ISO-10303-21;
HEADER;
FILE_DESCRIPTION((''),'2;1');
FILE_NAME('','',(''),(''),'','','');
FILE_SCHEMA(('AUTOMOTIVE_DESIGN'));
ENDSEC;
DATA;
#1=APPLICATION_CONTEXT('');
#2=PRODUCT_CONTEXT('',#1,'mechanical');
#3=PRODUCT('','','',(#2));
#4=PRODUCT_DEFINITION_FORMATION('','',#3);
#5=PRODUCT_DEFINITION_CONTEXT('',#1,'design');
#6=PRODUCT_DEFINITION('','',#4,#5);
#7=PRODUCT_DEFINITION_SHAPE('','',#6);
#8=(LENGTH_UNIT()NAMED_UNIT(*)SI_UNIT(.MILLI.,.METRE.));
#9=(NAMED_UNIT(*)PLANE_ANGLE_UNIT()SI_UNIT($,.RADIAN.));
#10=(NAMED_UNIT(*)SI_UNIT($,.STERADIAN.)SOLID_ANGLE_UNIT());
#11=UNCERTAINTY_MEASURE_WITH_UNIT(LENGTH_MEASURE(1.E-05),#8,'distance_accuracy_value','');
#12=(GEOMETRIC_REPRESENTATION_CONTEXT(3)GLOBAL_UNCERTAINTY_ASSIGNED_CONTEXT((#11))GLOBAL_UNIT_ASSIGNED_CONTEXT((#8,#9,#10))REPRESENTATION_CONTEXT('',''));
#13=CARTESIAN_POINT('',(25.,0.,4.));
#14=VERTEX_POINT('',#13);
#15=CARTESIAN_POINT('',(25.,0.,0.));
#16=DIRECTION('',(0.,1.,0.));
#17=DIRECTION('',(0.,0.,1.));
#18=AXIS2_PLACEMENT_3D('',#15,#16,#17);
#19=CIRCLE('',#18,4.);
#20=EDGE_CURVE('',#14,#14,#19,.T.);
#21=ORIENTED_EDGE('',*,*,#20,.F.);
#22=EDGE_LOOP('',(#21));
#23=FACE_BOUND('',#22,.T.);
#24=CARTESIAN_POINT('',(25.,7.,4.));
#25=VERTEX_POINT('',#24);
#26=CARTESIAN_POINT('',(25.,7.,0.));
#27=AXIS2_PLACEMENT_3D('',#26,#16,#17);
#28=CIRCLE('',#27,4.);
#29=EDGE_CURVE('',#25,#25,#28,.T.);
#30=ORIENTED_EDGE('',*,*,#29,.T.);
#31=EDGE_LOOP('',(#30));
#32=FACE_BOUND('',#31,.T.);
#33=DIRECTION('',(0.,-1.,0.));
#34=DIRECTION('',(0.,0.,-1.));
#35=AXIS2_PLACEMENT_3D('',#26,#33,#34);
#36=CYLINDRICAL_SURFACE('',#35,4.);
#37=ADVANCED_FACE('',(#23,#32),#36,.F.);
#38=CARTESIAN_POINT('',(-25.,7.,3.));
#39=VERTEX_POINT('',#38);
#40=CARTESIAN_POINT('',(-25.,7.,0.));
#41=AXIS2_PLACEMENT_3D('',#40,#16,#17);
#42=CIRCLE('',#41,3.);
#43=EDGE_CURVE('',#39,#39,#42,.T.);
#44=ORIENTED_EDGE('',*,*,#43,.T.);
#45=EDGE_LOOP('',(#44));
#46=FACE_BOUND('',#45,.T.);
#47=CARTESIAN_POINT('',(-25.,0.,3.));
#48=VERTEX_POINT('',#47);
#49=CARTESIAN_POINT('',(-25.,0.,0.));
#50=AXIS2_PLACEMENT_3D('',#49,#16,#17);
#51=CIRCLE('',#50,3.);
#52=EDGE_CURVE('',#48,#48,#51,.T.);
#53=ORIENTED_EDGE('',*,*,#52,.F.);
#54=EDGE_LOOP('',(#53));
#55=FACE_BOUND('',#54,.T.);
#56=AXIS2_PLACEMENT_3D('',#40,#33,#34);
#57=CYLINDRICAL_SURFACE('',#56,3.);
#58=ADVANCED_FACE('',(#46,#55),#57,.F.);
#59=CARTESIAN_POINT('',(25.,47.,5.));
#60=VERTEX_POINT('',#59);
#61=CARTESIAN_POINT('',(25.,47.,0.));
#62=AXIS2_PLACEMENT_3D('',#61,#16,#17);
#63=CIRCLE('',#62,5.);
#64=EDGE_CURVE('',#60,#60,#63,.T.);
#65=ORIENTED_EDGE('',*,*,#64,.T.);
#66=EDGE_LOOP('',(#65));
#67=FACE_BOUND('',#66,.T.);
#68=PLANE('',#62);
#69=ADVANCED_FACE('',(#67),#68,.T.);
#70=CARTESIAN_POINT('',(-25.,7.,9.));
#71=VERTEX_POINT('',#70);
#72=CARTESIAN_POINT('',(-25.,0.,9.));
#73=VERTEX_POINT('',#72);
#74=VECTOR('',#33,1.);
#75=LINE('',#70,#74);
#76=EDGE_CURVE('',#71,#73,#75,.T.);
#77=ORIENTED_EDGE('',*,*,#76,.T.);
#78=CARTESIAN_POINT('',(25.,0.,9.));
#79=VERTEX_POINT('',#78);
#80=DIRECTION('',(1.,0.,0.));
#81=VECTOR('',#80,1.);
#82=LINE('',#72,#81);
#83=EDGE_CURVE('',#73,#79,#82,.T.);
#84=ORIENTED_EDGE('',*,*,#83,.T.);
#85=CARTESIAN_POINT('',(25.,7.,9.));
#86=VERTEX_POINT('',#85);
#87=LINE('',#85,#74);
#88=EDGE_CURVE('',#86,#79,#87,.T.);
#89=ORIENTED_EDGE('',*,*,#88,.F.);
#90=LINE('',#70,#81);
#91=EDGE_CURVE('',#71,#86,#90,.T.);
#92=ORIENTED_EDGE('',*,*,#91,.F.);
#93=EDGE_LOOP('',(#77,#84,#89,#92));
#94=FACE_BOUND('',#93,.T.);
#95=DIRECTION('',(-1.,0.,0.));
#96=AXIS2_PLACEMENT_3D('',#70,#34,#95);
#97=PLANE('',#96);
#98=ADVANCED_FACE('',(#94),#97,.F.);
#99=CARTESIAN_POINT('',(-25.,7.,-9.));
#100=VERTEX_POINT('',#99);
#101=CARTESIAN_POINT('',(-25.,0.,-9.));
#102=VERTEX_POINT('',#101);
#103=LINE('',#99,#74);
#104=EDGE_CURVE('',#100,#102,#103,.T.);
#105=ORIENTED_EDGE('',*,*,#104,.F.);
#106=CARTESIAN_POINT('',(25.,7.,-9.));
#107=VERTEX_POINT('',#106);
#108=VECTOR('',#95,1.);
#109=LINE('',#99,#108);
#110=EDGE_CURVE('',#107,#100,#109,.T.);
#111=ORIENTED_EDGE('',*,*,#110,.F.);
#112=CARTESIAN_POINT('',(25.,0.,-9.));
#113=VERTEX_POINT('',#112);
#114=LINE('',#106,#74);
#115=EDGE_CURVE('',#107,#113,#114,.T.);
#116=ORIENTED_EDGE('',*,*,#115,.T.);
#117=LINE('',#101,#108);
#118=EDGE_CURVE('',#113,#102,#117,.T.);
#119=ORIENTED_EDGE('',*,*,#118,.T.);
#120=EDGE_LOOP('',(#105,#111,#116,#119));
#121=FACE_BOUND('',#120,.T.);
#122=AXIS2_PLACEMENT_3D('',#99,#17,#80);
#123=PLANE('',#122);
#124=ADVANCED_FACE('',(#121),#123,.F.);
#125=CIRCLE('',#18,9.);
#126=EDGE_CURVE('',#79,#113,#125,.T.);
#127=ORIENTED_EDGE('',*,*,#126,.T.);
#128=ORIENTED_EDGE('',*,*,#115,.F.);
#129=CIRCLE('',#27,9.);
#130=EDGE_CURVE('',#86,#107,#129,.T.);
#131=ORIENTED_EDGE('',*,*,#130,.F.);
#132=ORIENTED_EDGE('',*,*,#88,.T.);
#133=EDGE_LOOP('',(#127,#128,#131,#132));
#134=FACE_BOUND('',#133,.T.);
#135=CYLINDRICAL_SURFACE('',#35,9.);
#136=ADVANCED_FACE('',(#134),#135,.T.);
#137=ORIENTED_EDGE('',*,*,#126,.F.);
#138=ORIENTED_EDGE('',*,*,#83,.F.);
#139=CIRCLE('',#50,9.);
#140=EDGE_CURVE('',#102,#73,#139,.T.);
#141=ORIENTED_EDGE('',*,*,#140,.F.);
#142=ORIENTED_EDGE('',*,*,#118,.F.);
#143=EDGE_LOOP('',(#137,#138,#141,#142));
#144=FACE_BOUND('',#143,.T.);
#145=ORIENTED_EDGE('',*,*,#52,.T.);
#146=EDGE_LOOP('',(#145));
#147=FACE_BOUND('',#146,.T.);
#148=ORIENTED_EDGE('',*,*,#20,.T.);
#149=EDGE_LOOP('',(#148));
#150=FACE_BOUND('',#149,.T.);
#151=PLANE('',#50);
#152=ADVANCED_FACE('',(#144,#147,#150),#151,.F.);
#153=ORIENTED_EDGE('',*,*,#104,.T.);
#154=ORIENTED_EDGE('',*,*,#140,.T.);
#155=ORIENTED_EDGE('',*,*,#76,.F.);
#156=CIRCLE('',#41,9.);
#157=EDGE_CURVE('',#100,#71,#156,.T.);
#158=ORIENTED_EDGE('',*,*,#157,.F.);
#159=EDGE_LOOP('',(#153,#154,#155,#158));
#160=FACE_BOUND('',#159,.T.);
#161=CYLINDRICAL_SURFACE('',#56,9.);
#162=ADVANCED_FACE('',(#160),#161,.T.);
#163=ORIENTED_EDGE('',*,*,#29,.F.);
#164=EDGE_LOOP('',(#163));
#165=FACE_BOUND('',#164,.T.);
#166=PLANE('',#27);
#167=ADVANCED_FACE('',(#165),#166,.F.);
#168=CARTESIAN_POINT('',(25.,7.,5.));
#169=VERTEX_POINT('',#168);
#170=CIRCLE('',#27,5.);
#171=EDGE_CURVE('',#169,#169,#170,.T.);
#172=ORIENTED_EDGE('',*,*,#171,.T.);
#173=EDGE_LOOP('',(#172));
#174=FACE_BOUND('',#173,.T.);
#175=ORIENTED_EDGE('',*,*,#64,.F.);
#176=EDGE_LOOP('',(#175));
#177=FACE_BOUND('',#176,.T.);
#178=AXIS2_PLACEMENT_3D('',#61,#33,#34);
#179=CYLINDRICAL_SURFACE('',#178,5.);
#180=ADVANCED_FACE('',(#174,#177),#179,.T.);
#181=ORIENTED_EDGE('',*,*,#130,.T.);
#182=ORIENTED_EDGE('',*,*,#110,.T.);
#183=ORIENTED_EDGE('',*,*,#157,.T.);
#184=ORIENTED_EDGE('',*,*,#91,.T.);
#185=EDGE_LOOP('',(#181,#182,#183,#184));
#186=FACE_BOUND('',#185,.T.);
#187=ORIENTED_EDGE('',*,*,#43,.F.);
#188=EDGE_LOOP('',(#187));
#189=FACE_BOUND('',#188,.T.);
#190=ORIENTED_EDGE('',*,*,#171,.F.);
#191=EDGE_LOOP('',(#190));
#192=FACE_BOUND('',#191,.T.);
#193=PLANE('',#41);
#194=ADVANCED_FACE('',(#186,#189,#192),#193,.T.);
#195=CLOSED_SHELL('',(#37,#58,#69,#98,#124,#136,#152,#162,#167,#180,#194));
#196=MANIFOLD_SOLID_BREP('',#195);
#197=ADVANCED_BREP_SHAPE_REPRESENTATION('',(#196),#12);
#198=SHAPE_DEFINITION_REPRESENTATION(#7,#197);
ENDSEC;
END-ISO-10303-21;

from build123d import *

# Parameters (mm, degrees)
SKETCH1_R           = 4
SKETCH1_R_2         = 3
BOSS_EXTRUDE1_DEPTH = 7
SKETCH2_R           = 5
BOSS_EXTRUDE2_DEPTH = 40


with BuildPart() as part:
    # Sketch1 → Boss-Extrude1 (new body)
    with BuildSketch(Plane(origin=(0, 0, 0), x_dir=(1, 0, 0), z_dir=(0, 1, 0))):
        with BuildLine():
            Line((-25, 9), (25, 9))
            ThreePointArc((25, 9), (34, 0), (25, -9))
            Line((25, -9), (-25, -9))
            ThreePointArc((-25, -9), (-34, 0), (-25, 9))
        make_face()
        with Locations(Location((25, 0, 0), (0, 0, 270))):  # turned: the seam where the file's is
            Circle(SKETCH1_R, mode=Mode.SUBTRACT)
        with Locations(Location((-25, 0, 0), (0, 0, 270))):  # turned: the seam where the file's is
            Circle(SKETCH1_R_2, mode=Mode.SUBTRACT)
    extrude(amount=BOSS_EXTRUDE1_DEPTH)

    # Sketch2 → Boss-Extrude2 (add)
    with BuildSketch(Plane(origin=(0, 7, 0), x_dir=(1, 0, 0), z_dir=(0, 1, 0))):
        with Locations(Location((25, 0, 0), (0, 0, 270))):  # turned: the seam where the file's is
            Circle(SKETCH2_R)
    extrude(amount=BOSS_EXTRUDE2_DEPTH)


solid = part.part
